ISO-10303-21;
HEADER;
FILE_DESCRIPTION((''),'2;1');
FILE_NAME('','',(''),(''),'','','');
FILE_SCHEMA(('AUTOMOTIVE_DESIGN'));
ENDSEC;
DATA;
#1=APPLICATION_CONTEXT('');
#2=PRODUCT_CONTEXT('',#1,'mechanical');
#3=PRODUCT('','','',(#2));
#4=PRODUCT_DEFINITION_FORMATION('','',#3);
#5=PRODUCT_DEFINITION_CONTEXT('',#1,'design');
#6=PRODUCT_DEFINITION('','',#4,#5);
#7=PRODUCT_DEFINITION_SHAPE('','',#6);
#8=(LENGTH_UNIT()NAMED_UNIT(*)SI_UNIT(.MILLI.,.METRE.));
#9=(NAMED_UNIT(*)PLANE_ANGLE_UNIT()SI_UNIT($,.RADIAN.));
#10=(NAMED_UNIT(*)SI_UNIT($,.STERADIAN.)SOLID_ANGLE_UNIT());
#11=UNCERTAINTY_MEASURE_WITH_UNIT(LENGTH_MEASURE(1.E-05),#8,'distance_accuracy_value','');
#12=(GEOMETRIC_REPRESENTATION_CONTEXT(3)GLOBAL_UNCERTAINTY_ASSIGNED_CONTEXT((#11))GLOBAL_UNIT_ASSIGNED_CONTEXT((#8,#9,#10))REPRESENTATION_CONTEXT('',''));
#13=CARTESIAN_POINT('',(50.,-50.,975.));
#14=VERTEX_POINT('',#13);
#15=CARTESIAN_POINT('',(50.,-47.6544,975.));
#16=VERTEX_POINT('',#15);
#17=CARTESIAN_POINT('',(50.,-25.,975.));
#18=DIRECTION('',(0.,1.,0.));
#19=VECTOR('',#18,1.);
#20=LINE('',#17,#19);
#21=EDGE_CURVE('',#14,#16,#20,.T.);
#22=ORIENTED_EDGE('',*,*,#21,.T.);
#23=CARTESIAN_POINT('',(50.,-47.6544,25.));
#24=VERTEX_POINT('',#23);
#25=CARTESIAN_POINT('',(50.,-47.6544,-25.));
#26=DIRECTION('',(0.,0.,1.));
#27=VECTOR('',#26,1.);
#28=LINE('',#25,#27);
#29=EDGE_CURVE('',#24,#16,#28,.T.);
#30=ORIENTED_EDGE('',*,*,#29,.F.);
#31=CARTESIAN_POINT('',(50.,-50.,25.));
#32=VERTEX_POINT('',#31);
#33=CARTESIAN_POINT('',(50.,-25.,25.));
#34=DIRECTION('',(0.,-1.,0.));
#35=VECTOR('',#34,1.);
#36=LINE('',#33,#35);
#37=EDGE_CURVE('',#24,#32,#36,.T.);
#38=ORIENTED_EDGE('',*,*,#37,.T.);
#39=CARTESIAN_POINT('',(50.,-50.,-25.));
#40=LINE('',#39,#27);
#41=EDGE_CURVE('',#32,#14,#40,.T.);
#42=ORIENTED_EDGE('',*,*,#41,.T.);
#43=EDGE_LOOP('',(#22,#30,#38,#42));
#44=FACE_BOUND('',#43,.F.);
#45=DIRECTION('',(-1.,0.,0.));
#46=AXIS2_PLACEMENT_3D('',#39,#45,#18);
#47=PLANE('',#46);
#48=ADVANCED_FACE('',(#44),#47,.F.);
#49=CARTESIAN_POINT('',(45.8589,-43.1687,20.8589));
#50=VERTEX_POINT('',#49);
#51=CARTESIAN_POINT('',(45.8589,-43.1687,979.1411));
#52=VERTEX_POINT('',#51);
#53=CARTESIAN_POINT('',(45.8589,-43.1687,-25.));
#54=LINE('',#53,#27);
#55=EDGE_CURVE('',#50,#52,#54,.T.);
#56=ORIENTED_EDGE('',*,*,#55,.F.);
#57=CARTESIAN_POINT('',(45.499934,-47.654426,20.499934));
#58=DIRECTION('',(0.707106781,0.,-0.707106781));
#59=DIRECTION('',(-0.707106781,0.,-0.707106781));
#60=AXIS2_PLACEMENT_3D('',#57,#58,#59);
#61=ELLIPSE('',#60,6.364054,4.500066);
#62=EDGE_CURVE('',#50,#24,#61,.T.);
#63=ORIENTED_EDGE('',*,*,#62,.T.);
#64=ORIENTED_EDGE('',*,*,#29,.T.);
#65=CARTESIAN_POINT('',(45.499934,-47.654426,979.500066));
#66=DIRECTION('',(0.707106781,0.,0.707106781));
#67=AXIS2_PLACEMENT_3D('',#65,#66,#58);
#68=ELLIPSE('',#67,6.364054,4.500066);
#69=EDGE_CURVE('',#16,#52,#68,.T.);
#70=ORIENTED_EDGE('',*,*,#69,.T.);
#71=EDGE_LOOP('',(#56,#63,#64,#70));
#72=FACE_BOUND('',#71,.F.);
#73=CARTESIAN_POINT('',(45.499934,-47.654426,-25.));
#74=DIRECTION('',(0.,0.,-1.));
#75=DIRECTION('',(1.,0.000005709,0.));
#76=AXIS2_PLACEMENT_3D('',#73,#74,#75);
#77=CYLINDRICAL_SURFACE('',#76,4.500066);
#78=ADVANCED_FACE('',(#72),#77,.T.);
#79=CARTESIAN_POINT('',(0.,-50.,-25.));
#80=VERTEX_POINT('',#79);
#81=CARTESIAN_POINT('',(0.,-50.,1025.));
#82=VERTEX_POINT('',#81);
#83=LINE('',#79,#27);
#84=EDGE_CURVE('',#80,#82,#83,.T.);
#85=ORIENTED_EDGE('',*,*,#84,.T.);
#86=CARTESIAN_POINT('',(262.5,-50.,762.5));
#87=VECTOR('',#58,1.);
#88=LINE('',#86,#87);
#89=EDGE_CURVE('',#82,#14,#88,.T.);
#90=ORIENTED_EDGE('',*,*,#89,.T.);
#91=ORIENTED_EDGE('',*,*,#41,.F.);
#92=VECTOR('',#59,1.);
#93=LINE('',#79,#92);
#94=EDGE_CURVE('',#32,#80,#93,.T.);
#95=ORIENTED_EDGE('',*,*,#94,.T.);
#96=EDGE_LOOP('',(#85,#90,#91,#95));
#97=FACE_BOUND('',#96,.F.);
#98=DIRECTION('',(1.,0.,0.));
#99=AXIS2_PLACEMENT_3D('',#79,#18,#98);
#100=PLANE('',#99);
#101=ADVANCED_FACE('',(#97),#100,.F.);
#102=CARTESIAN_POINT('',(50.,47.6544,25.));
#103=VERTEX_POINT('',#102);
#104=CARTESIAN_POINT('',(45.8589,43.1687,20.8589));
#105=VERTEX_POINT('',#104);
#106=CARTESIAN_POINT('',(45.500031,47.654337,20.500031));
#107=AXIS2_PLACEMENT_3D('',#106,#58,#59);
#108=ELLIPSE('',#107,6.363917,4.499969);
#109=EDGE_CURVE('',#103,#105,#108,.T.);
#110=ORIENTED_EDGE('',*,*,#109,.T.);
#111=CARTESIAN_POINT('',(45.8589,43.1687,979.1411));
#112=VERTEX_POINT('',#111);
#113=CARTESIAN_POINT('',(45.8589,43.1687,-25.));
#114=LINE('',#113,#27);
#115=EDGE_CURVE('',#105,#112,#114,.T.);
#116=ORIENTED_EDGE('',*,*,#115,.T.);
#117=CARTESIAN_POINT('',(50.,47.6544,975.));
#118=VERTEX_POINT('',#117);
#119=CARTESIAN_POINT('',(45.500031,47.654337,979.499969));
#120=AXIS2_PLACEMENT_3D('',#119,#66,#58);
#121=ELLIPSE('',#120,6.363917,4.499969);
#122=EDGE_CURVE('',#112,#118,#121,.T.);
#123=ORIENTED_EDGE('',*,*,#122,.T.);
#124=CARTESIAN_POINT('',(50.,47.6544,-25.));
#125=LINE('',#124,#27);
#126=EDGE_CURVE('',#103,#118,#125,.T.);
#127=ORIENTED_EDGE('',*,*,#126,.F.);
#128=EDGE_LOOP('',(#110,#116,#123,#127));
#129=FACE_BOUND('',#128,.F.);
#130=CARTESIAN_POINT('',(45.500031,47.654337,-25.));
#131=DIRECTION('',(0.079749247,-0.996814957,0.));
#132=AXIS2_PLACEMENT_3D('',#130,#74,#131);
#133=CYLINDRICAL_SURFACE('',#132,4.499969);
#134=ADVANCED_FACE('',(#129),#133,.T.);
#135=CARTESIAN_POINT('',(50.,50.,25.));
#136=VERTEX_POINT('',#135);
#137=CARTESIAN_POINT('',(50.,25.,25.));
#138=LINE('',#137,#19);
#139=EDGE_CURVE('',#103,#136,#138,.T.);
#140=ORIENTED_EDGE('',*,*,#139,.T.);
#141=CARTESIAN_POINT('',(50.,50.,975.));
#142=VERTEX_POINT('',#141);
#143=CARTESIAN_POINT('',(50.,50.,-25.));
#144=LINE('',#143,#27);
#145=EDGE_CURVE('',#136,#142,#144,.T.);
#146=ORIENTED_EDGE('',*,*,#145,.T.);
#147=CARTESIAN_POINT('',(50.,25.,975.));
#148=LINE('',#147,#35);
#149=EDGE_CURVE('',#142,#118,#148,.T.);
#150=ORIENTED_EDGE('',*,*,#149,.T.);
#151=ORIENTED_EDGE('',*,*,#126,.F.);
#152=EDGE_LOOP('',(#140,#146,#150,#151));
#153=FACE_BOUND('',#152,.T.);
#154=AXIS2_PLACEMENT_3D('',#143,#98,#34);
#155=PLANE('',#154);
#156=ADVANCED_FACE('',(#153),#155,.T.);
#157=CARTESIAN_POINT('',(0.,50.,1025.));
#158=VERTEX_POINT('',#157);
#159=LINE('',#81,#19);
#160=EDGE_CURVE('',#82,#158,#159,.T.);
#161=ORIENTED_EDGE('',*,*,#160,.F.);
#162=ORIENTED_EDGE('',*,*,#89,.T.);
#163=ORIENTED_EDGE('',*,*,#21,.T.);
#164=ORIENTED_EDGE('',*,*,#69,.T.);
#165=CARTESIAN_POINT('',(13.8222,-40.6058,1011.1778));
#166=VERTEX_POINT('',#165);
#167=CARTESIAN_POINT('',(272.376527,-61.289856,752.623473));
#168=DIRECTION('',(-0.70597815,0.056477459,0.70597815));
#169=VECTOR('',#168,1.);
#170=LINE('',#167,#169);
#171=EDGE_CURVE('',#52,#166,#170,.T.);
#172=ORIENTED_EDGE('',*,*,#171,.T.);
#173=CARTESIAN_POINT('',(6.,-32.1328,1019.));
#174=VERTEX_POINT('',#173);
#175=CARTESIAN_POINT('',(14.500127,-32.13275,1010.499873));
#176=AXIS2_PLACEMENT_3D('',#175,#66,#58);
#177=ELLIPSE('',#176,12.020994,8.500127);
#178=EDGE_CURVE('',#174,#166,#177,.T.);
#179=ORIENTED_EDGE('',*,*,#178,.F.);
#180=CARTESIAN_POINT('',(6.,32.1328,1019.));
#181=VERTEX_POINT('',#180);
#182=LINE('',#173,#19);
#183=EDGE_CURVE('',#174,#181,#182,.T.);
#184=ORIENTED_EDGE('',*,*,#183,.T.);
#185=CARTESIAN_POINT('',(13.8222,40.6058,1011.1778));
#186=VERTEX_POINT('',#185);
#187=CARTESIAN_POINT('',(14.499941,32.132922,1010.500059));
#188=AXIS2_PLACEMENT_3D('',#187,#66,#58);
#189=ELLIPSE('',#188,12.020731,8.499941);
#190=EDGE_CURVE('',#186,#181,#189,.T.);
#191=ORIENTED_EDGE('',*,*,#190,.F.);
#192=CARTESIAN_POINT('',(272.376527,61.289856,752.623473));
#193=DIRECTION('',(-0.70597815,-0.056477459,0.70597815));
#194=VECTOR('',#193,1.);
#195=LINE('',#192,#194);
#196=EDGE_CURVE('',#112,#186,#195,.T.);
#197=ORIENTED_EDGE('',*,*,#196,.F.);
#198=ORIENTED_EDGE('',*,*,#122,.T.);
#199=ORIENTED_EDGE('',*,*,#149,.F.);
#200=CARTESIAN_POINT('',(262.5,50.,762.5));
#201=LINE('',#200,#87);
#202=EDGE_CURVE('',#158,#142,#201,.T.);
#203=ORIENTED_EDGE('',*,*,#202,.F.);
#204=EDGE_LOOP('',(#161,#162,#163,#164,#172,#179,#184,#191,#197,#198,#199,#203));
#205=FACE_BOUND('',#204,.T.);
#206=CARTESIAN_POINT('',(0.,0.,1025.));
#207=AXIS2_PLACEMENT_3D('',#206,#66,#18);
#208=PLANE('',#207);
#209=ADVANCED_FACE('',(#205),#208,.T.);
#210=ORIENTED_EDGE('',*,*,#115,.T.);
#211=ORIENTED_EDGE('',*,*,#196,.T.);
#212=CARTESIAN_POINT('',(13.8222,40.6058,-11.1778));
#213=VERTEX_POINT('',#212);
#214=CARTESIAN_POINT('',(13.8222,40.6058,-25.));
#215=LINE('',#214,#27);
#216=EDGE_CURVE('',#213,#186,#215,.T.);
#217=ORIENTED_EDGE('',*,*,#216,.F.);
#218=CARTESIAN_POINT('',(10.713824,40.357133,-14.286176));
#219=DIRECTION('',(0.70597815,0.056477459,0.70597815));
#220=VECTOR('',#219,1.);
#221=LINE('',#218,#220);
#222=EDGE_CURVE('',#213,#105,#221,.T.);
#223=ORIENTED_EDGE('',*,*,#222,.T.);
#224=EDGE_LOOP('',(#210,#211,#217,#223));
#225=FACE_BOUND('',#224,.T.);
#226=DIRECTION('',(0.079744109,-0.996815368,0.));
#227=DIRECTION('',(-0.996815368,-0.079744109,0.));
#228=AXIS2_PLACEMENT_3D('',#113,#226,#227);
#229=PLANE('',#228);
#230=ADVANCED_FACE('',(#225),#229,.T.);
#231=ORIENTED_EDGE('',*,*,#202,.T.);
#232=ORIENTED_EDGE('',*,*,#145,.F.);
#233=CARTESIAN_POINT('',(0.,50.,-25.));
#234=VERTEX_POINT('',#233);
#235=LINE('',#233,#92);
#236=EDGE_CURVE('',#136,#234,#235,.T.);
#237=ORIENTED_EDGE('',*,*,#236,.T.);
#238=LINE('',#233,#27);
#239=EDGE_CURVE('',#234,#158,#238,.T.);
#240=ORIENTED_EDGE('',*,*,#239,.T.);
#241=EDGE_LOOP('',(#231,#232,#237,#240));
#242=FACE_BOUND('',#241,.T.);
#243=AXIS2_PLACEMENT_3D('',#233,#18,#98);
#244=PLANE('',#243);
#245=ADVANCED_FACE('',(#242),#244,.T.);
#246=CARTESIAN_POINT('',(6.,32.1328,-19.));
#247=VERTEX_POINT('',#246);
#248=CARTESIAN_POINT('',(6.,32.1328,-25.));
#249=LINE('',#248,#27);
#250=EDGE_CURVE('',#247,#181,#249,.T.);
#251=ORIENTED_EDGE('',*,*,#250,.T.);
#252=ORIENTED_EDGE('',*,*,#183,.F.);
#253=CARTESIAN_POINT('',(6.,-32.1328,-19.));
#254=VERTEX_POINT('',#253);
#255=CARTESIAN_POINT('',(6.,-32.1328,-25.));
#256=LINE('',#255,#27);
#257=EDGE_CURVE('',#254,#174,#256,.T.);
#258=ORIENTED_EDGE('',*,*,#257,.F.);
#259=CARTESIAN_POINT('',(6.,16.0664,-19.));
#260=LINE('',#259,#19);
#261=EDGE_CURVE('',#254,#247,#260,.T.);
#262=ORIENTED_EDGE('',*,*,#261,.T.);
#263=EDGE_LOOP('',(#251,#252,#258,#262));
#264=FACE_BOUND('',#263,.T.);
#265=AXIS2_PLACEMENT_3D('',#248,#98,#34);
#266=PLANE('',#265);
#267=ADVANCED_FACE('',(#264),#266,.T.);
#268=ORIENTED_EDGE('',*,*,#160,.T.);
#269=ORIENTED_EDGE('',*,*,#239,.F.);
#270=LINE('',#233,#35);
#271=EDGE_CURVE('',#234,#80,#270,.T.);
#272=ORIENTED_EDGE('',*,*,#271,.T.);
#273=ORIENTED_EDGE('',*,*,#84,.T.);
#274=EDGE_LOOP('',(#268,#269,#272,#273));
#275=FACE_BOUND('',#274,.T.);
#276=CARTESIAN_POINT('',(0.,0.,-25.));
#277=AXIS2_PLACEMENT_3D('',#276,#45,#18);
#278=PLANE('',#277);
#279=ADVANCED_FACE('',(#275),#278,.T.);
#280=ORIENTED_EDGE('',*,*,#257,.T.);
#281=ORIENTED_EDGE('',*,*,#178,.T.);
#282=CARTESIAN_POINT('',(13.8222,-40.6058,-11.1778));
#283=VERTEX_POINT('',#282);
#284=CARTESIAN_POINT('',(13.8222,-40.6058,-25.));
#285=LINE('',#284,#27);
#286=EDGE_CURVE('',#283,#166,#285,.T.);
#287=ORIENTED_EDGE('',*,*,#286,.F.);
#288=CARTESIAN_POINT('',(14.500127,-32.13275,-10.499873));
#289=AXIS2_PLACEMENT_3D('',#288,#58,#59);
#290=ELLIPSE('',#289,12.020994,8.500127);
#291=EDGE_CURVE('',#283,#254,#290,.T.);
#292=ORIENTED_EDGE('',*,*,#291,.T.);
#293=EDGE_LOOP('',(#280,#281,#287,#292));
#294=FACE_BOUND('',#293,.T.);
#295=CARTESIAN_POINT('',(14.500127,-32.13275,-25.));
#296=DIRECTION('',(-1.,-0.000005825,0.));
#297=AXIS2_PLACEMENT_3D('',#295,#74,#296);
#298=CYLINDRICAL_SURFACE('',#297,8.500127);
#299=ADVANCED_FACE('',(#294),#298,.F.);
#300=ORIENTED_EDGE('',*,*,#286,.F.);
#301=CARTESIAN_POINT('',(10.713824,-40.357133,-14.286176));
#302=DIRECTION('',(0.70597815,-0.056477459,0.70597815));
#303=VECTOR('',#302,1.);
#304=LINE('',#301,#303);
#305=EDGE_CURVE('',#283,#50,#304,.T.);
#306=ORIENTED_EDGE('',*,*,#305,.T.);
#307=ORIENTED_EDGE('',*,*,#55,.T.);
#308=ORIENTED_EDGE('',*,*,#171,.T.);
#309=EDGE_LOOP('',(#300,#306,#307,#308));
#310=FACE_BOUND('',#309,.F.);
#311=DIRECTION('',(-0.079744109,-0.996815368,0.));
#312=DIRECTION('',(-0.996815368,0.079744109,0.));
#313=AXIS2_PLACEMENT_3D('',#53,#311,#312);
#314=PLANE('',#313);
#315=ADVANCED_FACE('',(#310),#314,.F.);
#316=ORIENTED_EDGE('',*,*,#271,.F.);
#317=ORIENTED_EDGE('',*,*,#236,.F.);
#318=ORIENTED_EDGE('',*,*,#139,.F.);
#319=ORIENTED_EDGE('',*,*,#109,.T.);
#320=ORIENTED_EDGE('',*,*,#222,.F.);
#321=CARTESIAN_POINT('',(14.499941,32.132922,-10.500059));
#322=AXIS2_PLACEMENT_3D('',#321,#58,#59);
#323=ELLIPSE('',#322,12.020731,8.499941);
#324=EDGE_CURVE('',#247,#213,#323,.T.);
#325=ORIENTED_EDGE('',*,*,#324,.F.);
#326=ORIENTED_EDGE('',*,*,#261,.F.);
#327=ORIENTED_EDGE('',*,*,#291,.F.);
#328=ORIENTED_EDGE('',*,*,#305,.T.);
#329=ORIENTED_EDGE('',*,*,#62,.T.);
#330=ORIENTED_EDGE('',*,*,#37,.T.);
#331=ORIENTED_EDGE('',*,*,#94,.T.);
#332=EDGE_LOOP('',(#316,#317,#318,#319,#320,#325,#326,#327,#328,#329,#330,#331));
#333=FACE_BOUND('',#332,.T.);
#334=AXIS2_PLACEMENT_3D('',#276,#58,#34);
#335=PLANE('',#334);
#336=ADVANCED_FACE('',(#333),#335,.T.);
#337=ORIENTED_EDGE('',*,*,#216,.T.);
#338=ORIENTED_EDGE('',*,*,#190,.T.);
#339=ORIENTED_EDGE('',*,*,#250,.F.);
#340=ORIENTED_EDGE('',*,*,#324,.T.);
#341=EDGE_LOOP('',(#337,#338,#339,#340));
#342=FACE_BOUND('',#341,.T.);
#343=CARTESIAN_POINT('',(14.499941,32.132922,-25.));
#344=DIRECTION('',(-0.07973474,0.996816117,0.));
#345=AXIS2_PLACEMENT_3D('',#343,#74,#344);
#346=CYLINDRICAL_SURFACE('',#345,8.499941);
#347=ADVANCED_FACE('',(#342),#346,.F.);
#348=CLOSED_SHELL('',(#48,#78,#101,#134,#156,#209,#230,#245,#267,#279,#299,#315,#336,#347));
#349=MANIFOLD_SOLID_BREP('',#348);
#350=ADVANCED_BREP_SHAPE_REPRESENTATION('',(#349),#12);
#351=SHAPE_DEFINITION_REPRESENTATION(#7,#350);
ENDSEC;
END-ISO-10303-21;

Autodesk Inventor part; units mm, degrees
ref_plane "Начальная плоскость" through (0, 0, -25) normal (0, 0, 1) x (1, 0, 0)
ref_plane "Конечная плоскость" through (0, 0, 1025) normal (0, 0, 1) x (1, 0, 0)
sketch "Эскиз" plane through (0, 0, 0) normal (0, 0, 1) x (1, 0, 0)
  line L0 (0, 0) -> (0, 50)
  line L1 (0, 50) -> (50, 50)
  line L2 (50, 50) -> (50, 47.6544)
  line L3 (45.8589, 43.1687) -> (13.8222, 40.6058)
  line L4 (6, 32.1328) -> (6, 0)
  line L5 (6, 0) -> (0, 0) construction
  line L6 (25, 50) -> (25, 41.5) construction
  line L7 (50, 43.5) -> (50, 41.5) construction
  line L8 (50, 41.5) -> (25, 41.5) construction
  line L9 (0, 15) -> (0, -27) construction
  line L10 (-5.539, 0) -> (16.0067, 0) construction
  line L11 (0, 0) -> (0, -50)
  line L12 (0, -50) -> (50, -50)
  line L13 (50, -50) -> (50, -47.6544)
  line L14 (45.8589, -43.1687) -> (13.8222, -40.6058)
  line L15 (6, -32.1328) -> (6, 0)
  arc A0 (13.8222, 40.6058) -> (6, 32.1328) centre (14.5, 32.1328) ccw
  arc A1 (6, -32.1328) -> (13.8222, -40.6058) centre (14.5, -32.1328) ccw
  arc A2 (45.8589, 43.1687) -> (50, 47.6544) centre (45.5, 47.6544) ccw
  arc A3 (50, -47.6544) -> (45.8589, -43.1687) centre (45.5, -47.6544) ccw
  line L16 (0, 70) -> (0, -70) construction
  line L17 (-16.8222, 0) -> (62.1602, 0) construction
  point P0 (6, 39.98)
  point P1 (50, -43.5)
  point P2 (6, -39.98)
  point P3 (25, -50)
  point P4 (25, -41.5)
  dimension "d0" = 6
  dimension "d1" = 50
  dimension "d2" = 50
  dimension "d3" = 8.5
  dimension "d4" = 25
  dimension "d5" = 2
  dimension "d23" = 8.5
  dimension "d24" = 4.5
  dimension "d25" = 0
extrude "Тело" add sketch "Эскиз" along normal up to surface (1050 mm away) from surface at -25
sketch "Sketch3" plane through (0, 0, 0) normal (0, 0, 1) x (1, 0, 0)
  line L0 (0, 0) -> (10, 0)
ref_plane "Work Plane3" through (0, 0, 0) normal (0, -1, 0) x (1, 0, 0)
sketch "Sketch4" plane through (0, 0, 0) normal (0, -1, 0) x (1, 0, 0)
  line L0 (-2, -25) -> (12, -25)
  line L1 (-2, 1025) -> (12, 1025)
  dimension "d29" = 1050
ref_plane "РабПлоскость4" through (0, 0, 1025) normal (0.7071, 0, 0.7071) x (0.7071, 0, -0.7071)
split "Разделение1" plane through (0, 0, 1025) removes the side toward (0.7071, 0, 0.7071)
ref_plane "РабПлоскость5" through (0, 0, -25) normal (0.7071, 0, -0.7071) x (-0.7071, 0, -0.7071)
split "Разделение2" plane through (0, 0, -25) removes the side toward (0.7071, 0, -0.7071)
equation "\"d0\" = G_T"
equation "\"d1\" = 0.5 * G_H"
equation "\"d2\" = G_W"
equation "\"d3\" = G_T1"
equation "\"d4\" = G_C"
equation "\"d23\" = G_IR"
equation "\"d24\" = G_ER"
equation "\"d6\" = G_L"
equation "\"G_W\" = 50"
equation "\"G_T\" = 6"
equation "\"G_T1\" = 8.5"
equation "\"G_NG\" = 0.08"
equation "\"G_ER\" = 4.5"
equation "\"G_IR\" = 8.5"
equation "\"G_C\" = 25"
equation "\"G_L\" = d29"
equation "\"ex\" = 0"
equation "\"G_OFFSET_START\" = 25"
equation "\"G_OFFSET_END\" = 25"
equation "\"d26\" = -G_OFFSET_START"
equation "\"d27\" = G_OFFSET_END + B_L"
equation "\"G_H\" = 100"
equation "\"B_L\" = 1000"
properties part number "DIN1026 - U 100 - 1050" material "Сталь, углеродистая"
